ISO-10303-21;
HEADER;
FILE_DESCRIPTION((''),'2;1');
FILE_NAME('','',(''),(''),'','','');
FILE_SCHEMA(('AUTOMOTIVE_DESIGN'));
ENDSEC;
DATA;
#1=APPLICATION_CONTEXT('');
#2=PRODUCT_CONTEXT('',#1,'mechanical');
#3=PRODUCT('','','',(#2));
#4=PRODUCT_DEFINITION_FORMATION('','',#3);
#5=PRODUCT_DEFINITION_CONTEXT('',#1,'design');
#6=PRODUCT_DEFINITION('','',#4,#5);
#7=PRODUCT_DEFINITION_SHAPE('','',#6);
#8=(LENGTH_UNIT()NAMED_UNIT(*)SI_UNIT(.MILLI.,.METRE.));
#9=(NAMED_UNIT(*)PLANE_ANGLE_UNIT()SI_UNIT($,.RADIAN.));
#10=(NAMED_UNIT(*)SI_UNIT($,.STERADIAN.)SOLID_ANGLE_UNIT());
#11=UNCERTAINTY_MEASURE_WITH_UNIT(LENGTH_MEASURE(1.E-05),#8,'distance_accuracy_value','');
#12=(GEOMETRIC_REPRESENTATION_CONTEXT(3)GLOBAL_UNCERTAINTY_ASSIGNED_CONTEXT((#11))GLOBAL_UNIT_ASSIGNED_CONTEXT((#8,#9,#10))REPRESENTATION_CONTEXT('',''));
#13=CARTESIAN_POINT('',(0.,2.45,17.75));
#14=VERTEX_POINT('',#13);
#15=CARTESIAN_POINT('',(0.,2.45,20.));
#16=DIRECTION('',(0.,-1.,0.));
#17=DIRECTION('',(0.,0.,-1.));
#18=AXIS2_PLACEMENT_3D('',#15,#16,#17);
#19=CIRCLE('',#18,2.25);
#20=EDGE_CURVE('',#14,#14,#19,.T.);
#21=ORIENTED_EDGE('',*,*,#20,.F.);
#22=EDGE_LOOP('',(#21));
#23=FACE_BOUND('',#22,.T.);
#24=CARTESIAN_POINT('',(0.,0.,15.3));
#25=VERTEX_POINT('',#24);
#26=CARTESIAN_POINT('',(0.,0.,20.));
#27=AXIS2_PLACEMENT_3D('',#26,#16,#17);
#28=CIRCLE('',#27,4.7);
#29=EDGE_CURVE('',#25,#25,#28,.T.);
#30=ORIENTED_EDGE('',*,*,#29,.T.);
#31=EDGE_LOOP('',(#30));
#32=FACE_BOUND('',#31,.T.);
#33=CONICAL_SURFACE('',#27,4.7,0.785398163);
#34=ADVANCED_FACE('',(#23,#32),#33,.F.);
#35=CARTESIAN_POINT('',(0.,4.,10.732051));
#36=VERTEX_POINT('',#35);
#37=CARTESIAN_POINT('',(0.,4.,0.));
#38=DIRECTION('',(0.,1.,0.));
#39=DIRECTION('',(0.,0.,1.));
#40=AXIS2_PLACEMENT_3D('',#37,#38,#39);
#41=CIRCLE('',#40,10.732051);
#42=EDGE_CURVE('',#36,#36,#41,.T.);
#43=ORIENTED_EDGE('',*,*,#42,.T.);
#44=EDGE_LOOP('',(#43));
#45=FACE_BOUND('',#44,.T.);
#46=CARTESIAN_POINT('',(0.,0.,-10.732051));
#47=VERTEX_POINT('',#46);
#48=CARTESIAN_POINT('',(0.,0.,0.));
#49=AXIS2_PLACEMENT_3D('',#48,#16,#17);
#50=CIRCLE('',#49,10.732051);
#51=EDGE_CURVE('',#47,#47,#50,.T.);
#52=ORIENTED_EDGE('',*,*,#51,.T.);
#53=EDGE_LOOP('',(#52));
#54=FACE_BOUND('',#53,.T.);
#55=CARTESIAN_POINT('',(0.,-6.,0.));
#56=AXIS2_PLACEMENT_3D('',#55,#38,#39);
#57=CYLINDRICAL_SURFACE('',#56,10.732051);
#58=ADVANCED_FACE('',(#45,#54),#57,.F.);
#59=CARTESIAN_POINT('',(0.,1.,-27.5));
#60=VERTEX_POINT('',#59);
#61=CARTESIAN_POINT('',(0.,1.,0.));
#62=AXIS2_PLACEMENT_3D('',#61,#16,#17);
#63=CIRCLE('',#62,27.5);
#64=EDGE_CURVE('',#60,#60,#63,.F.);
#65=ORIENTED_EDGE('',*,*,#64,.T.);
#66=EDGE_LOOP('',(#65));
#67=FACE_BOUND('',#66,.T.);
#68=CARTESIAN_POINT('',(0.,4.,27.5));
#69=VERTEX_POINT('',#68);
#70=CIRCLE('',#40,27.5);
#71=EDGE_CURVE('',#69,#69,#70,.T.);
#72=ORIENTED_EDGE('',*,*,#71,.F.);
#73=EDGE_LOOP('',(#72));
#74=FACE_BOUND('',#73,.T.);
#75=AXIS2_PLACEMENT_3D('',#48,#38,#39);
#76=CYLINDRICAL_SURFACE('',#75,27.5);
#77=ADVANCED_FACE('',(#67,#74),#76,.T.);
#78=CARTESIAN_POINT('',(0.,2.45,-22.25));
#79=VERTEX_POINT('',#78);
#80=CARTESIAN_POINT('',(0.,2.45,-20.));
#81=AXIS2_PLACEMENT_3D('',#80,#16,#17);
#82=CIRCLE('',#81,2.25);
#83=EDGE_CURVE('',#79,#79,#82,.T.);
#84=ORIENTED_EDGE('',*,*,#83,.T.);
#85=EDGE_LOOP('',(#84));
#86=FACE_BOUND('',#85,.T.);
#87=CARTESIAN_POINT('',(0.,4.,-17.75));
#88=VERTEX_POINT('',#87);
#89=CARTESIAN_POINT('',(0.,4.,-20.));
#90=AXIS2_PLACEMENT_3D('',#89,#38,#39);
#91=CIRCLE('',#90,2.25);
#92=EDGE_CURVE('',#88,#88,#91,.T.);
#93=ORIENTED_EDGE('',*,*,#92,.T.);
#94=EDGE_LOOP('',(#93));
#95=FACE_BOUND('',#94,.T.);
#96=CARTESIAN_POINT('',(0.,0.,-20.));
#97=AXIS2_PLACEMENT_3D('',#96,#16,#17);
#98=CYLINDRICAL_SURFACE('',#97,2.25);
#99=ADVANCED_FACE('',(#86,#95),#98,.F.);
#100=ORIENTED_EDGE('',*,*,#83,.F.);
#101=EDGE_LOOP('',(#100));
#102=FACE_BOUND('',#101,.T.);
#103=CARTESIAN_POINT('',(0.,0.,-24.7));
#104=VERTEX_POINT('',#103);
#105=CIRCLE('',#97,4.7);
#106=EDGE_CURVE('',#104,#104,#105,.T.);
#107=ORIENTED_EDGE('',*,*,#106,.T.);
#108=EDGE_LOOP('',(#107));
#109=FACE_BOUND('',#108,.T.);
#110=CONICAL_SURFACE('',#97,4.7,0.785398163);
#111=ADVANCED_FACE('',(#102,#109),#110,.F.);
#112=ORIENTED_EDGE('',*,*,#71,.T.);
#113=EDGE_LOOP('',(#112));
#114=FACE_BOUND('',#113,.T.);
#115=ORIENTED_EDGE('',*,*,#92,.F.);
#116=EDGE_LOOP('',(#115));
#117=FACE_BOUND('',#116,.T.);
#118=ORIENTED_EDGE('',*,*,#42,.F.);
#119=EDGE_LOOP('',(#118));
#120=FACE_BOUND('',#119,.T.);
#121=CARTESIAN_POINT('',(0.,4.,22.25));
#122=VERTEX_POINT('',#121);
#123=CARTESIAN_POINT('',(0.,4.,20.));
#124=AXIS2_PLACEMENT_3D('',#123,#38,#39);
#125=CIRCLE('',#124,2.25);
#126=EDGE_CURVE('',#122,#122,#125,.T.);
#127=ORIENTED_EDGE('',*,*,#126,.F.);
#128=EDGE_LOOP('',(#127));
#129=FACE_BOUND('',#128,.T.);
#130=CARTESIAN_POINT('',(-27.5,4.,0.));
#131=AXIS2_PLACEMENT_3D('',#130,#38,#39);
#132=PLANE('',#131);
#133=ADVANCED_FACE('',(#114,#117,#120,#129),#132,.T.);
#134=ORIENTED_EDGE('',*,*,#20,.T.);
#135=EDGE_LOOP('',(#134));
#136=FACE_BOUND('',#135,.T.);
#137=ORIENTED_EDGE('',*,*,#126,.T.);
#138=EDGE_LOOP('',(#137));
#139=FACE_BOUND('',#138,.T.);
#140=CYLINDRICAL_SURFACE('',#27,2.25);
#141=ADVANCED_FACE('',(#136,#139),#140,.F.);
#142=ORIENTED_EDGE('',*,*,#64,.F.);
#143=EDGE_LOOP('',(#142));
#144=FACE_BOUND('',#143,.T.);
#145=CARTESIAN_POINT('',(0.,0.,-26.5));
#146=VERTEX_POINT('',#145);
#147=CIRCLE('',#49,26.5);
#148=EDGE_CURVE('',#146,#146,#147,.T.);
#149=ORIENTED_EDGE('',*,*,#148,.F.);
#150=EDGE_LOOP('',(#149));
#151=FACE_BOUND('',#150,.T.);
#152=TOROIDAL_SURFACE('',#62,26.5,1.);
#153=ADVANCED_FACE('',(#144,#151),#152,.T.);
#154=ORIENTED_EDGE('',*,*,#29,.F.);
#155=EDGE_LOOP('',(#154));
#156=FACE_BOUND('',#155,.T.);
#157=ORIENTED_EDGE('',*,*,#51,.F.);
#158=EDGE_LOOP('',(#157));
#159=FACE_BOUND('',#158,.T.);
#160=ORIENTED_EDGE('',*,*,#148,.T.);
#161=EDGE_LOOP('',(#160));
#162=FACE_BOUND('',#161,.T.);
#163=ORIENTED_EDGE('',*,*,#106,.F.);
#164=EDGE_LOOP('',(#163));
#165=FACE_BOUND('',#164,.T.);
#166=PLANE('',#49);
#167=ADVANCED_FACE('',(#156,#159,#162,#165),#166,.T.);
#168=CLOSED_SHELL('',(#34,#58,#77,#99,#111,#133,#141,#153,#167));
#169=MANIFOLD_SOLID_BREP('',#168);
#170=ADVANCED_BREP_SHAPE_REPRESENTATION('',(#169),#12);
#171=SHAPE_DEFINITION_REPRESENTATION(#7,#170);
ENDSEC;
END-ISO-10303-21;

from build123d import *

# Parameters (mm, degrees)
CSK_SLOT_FOR_M4_COUNTERSUNK_FLAT_HEA_2_COUNT = 2
CSK_SLOT_FOR_M4_COUNTERSUNK_FLAT_HEA_2_PITCH = 40
FILLET1_R                                    = 2
FILLET2_R                                    = 1
SKETCH5_R                                    = 32.94079545
CUT_EXTRUDE2_DEPTH                           = 10
SKETCH6_R                                    = 10.732050808
CUT_EXTRUDE3_DEPTH                           = 10


with BuildPart() as part:
    # Sketch1 → Revolve1 (revolve)
    with BuildSketch(Plane.XY, mode=Mode.PRIVATE) as revolve1_sk:
        Polygon((-27.5, 0), (-27.5, 4), (-13, 4), (-13, 8), (-11, 8), (-11, 3), (0, 3), (0, 0), align=None)
    revolve(revolve1_sk.sketch.rotate(Axis((0, 0, 0), (0, -1, 0)), 270), axis=Axis((0, 0, 0), (0, -1, 0)))

    # Sketch3 → CSK SLOT for M4 Countersunk Flat Head Screw1 (revolve, cut)
    with BuildSketch(Plane(origin=(0, 0, 20), x_dir=(0, 0, -1), z_dir=(1, 0, 0))):
        Polygon((0, 0), (0, 4), (2.25, 4), (2.25, 2.45), (4.7, 0), align=None)
    csk_slot_for_m4_countersunk_flat_head_sc = revolve(axis=Axis((0, -6.35, 20), (0, 1, 0)), mode=Mode.SUBTRACT)

    # CSK SLOT for M4 Countersunk Flat Hea 2: CSK SLOT for M4 Countersunk Flat Head Screw1 ×2
    with Locations(*[(0, 0, -i * CSK_SLOT_FOR_M4_COUNTERSUNK_FLAT_HEA_2_PITCH) for i in range(1, CSK_SLOT_FOR_M4_COUNTERSUNK_FLAT_HEA_2_COUNT)]):
        add(csk_slot_for_m4_countersunk_flat_head_sc, mode=Mode.SUBTRACT)

    # Fillet1
    fillet1_edges = [part.edges().sort_by_distance(p)[0] for p in [
        (0, 3, -11),
    ]]
    fillet(fillet1_edges, radius=FILLET1_R)

    # Fillet2
    fillet2_edges = [part.edges().sort_by_distance(p)[0] for p in [
        (0, 0, -27.5),
    ]]
    fillet(fillet2_edges, radius=FILLET2_R)

    # Sketch5 → Cut-Extrude2 (cut)
    with BuildSketch(Plane(origin=(0, 4, 0), x_dir=(1, 0, 0), z_dir=(0, 1, 0))):
        Circle(SKETCH5_R)
    extrude(amount=CUT_EXTRUDE2_DEPTH, mode=Mode.SUBTRACT)

    # Sketch6 → Cut-Extrude3 (cut)
    with BuildSketch(Plane(origin=(0, 4, 0), x_dir=(1, 0, 0), z_dir=(0, 1, 0))):
        with Locations(Location((0, 0, 0), (0, 0, 270))):
            Circle(SKETCH6_R)
    extrude(amount=-CUT_EXTRUDE3_DEPTH, mode=Mode.SUBTRACT)


solid = part.part
